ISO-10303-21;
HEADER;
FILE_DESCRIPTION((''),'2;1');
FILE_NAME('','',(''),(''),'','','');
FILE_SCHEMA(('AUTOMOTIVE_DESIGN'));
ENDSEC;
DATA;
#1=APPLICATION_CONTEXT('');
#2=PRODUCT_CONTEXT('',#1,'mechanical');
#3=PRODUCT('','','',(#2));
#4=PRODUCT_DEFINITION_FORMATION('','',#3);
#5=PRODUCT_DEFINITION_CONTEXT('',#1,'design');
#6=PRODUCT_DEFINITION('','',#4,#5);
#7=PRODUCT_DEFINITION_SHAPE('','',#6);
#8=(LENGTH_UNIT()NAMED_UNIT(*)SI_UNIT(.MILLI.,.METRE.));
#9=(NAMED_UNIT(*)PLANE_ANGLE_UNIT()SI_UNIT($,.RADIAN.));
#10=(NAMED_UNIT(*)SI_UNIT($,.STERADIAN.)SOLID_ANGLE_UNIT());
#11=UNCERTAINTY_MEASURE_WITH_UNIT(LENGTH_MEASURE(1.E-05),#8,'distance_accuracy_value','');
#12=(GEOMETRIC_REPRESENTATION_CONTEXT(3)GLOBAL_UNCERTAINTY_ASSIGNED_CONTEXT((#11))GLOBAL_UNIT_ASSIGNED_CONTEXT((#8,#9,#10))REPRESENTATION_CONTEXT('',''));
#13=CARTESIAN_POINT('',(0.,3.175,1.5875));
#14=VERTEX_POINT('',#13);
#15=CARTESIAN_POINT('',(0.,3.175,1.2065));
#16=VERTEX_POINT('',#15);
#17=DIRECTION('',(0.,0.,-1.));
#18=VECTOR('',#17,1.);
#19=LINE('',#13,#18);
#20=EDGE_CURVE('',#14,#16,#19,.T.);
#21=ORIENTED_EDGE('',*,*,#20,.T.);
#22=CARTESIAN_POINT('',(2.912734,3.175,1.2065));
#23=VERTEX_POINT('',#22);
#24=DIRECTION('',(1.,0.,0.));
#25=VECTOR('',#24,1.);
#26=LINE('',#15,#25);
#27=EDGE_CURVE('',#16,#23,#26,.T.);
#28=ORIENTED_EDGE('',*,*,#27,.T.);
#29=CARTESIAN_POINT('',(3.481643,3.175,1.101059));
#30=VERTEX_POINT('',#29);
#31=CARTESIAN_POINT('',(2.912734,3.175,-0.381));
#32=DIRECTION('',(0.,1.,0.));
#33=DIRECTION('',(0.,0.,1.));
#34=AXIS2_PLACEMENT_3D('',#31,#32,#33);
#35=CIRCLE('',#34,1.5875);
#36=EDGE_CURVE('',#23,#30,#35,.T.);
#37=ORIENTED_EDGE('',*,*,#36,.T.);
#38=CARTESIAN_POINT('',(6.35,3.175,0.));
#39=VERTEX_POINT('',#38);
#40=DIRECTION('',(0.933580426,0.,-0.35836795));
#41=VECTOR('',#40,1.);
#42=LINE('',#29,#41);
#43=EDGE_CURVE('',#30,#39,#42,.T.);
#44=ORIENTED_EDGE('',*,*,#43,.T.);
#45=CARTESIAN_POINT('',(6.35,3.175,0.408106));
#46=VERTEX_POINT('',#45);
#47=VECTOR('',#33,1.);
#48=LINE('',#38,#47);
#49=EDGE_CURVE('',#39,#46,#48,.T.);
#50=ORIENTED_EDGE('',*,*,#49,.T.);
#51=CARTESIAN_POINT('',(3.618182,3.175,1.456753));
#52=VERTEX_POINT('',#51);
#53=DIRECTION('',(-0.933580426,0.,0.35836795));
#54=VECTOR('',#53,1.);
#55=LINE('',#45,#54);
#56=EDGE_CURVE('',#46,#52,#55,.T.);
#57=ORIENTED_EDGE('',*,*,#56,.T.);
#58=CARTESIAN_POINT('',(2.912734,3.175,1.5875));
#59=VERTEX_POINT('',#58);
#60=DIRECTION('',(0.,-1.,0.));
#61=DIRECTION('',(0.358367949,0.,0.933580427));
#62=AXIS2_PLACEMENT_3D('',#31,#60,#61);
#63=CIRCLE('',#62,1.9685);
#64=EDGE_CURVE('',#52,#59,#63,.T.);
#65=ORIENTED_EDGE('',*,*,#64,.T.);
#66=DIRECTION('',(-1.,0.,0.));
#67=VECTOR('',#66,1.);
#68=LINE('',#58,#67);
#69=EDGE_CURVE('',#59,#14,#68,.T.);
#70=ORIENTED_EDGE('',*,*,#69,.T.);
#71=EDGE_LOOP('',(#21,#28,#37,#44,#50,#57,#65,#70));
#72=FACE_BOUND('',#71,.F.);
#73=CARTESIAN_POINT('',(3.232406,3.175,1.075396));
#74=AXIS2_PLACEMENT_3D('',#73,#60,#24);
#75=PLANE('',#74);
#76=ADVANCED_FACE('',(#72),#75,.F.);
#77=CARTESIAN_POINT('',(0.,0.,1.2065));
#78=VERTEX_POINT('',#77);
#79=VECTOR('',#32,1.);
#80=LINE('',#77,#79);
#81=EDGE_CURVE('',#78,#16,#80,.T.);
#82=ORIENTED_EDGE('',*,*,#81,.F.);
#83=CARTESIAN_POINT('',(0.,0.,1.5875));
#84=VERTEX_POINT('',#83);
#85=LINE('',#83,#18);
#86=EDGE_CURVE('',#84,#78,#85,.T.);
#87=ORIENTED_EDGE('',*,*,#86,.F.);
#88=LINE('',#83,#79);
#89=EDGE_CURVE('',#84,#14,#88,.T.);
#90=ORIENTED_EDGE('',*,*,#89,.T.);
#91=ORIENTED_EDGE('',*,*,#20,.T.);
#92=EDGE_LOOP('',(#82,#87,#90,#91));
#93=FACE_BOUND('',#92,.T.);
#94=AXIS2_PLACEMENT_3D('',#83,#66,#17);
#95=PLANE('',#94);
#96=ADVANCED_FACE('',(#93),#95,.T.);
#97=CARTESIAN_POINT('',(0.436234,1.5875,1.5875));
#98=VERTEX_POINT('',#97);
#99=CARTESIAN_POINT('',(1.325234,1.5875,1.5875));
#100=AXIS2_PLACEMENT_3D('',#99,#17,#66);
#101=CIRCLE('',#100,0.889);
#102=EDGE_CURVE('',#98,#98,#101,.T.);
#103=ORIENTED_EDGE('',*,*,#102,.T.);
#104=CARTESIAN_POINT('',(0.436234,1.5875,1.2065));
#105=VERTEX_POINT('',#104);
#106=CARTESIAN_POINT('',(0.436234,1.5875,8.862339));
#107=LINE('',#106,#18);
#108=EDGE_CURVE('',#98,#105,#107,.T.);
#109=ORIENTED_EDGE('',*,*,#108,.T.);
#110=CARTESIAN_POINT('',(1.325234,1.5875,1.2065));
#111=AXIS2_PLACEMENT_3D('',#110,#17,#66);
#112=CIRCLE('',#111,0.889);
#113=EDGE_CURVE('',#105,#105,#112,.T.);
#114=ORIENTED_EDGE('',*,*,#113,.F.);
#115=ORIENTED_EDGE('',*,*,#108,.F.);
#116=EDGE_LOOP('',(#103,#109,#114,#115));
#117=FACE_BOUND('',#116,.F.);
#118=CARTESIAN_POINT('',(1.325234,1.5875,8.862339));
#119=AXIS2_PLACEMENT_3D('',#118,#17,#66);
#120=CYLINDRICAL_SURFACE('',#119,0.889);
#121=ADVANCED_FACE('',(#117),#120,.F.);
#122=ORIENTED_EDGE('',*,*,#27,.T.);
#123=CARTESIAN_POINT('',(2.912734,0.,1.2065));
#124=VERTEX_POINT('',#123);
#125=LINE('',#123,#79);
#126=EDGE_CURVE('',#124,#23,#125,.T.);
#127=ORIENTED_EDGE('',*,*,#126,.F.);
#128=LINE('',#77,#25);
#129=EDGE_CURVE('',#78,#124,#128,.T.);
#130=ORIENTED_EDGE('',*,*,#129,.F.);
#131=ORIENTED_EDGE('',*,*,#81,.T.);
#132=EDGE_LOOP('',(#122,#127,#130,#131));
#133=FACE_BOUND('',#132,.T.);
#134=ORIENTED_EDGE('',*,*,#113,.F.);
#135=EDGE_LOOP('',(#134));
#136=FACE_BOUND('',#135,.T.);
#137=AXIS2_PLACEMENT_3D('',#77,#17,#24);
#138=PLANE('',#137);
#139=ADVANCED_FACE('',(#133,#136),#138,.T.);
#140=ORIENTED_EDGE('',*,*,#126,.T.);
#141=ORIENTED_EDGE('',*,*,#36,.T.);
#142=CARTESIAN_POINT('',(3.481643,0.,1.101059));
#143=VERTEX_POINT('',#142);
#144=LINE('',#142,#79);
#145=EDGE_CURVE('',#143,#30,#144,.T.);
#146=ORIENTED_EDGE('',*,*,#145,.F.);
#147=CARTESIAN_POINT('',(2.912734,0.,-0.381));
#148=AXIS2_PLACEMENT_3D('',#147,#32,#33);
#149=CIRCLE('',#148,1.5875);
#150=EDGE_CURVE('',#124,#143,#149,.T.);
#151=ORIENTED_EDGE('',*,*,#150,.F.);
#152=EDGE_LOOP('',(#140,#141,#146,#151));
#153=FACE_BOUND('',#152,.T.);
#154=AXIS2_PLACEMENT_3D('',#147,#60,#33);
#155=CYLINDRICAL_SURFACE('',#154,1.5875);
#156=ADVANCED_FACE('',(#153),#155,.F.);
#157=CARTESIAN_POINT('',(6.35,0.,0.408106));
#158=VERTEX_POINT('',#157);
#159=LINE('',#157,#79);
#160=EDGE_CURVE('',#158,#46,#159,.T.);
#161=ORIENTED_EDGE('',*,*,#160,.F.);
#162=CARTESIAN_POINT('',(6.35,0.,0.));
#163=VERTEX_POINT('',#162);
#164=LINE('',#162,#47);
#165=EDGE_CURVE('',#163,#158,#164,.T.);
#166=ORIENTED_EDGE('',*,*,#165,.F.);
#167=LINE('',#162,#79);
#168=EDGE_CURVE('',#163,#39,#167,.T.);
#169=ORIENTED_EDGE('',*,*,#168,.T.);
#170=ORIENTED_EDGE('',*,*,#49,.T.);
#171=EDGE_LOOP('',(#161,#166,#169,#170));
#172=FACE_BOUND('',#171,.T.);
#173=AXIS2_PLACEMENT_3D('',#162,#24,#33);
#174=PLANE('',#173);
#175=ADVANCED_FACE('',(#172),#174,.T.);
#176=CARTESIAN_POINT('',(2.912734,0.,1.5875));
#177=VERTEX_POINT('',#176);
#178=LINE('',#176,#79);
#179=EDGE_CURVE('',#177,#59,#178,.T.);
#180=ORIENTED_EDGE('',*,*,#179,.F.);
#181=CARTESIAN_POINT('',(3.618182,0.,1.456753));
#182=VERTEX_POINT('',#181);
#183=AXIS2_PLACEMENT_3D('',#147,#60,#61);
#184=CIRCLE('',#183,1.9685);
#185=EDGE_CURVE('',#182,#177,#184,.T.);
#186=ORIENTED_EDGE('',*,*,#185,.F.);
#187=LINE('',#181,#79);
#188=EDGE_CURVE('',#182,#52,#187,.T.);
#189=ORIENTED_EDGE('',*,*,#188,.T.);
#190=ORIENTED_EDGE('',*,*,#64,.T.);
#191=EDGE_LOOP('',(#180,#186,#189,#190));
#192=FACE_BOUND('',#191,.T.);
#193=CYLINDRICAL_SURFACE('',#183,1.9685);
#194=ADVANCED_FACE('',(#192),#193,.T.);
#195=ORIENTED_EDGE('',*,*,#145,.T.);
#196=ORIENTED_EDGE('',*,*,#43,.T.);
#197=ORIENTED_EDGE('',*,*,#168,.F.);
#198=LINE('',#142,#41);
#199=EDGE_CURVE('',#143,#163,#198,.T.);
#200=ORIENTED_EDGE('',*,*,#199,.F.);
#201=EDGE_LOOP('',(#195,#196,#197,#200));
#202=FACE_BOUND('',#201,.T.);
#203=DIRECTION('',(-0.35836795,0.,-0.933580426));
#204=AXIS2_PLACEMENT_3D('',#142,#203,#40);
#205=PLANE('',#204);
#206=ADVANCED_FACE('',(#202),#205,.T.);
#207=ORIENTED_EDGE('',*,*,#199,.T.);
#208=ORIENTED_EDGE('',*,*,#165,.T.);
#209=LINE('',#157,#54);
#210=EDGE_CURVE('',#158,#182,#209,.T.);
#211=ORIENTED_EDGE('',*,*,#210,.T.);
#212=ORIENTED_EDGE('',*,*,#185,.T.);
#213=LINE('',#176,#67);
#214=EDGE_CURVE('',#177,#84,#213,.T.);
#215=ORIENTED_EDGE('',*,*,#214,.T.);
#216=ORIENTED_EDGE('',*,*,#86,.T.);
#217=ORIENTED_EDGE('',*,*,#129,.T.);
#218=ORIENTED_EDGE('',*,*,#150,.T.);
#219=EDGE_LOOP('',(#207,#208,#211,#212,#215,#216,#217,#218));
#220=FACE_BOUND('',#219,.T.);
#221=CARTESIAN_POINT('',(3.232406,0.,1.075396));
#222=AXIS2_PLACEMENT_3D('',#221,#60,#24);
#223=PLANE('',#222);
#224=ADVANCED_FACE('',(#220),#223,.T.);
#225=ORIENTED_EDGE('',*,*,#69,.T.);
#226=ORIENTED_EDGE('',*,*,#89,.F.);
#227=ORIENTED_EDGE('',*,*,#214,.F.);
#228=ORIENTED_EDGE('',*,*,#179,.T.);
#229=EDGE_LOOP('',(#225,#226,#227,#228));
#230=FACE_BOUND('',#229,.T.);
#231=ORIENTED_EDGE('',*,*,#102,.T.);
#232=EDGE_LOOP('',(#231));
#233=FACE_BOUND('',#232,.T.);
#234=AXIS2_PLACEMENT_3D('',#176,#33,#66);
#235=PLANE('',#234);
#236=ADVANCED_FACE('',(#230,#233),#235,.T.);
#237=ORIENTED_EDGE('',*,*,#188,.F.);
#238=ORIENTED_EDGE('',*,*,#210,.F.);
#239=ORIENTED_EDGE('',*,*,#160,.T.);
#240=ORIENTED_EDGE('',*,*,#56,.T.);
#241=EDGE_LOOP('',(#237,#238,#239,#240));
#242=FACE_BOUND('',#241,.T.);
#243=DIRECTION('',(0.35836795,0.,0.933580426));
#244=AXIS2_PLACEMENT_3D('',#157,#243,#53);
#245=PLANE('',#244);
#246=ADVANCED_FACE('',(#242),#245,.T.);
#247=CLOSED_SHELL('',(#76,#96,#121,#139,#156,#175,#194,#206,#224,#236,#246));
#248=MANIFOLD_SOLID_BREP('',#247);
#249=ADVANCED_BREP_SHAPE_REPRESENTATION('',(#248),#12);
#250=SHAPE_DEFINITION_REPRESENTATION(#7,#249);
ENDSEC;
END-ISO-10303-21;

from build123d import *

# Parameters (mm, degrees)
F1_DEPTH = 3.175
F3_D     = 1.778


with BuildPart() as f1:
    # F0 (on Front) → F1 (new body)
    with BuildSketch(Plane.XZ):
        with BuildLine():
            Line((0, 1.5875), (0, 1.2065))
            Line((0, 1.2065), (2.9127343096, 1.2065))
            ThreePointArc((2.9127343096, 1.2065), (3.2020332063, 1.1799171658), (3.4816434295, 1.1010589271))
            Line((3.4816434295, 1.1010589271), (6.35, 0))
            Line((6.35, 0), (6.35, 0.4081062426))
            Line((6.35, 0.4081062426), (3.6181816183, 1.4567530696))
            ThreePointArc((3.6181816183, 1.4567530696), (3.2714649415, 1.5545372855), (2.9127343096, 1.5875))
            Line((2.9127343096, 1.5875), (0, 1.5875))
        make_face()
    extrude(amount=-F1_DEPTH)

    # F3 (through all)
    with Locations(Plane.XY.offset(1.5875)):
        with Locations((1.3252343096, 1.5875)):
            Hole(F3_D / 2)


solid = f1.part
